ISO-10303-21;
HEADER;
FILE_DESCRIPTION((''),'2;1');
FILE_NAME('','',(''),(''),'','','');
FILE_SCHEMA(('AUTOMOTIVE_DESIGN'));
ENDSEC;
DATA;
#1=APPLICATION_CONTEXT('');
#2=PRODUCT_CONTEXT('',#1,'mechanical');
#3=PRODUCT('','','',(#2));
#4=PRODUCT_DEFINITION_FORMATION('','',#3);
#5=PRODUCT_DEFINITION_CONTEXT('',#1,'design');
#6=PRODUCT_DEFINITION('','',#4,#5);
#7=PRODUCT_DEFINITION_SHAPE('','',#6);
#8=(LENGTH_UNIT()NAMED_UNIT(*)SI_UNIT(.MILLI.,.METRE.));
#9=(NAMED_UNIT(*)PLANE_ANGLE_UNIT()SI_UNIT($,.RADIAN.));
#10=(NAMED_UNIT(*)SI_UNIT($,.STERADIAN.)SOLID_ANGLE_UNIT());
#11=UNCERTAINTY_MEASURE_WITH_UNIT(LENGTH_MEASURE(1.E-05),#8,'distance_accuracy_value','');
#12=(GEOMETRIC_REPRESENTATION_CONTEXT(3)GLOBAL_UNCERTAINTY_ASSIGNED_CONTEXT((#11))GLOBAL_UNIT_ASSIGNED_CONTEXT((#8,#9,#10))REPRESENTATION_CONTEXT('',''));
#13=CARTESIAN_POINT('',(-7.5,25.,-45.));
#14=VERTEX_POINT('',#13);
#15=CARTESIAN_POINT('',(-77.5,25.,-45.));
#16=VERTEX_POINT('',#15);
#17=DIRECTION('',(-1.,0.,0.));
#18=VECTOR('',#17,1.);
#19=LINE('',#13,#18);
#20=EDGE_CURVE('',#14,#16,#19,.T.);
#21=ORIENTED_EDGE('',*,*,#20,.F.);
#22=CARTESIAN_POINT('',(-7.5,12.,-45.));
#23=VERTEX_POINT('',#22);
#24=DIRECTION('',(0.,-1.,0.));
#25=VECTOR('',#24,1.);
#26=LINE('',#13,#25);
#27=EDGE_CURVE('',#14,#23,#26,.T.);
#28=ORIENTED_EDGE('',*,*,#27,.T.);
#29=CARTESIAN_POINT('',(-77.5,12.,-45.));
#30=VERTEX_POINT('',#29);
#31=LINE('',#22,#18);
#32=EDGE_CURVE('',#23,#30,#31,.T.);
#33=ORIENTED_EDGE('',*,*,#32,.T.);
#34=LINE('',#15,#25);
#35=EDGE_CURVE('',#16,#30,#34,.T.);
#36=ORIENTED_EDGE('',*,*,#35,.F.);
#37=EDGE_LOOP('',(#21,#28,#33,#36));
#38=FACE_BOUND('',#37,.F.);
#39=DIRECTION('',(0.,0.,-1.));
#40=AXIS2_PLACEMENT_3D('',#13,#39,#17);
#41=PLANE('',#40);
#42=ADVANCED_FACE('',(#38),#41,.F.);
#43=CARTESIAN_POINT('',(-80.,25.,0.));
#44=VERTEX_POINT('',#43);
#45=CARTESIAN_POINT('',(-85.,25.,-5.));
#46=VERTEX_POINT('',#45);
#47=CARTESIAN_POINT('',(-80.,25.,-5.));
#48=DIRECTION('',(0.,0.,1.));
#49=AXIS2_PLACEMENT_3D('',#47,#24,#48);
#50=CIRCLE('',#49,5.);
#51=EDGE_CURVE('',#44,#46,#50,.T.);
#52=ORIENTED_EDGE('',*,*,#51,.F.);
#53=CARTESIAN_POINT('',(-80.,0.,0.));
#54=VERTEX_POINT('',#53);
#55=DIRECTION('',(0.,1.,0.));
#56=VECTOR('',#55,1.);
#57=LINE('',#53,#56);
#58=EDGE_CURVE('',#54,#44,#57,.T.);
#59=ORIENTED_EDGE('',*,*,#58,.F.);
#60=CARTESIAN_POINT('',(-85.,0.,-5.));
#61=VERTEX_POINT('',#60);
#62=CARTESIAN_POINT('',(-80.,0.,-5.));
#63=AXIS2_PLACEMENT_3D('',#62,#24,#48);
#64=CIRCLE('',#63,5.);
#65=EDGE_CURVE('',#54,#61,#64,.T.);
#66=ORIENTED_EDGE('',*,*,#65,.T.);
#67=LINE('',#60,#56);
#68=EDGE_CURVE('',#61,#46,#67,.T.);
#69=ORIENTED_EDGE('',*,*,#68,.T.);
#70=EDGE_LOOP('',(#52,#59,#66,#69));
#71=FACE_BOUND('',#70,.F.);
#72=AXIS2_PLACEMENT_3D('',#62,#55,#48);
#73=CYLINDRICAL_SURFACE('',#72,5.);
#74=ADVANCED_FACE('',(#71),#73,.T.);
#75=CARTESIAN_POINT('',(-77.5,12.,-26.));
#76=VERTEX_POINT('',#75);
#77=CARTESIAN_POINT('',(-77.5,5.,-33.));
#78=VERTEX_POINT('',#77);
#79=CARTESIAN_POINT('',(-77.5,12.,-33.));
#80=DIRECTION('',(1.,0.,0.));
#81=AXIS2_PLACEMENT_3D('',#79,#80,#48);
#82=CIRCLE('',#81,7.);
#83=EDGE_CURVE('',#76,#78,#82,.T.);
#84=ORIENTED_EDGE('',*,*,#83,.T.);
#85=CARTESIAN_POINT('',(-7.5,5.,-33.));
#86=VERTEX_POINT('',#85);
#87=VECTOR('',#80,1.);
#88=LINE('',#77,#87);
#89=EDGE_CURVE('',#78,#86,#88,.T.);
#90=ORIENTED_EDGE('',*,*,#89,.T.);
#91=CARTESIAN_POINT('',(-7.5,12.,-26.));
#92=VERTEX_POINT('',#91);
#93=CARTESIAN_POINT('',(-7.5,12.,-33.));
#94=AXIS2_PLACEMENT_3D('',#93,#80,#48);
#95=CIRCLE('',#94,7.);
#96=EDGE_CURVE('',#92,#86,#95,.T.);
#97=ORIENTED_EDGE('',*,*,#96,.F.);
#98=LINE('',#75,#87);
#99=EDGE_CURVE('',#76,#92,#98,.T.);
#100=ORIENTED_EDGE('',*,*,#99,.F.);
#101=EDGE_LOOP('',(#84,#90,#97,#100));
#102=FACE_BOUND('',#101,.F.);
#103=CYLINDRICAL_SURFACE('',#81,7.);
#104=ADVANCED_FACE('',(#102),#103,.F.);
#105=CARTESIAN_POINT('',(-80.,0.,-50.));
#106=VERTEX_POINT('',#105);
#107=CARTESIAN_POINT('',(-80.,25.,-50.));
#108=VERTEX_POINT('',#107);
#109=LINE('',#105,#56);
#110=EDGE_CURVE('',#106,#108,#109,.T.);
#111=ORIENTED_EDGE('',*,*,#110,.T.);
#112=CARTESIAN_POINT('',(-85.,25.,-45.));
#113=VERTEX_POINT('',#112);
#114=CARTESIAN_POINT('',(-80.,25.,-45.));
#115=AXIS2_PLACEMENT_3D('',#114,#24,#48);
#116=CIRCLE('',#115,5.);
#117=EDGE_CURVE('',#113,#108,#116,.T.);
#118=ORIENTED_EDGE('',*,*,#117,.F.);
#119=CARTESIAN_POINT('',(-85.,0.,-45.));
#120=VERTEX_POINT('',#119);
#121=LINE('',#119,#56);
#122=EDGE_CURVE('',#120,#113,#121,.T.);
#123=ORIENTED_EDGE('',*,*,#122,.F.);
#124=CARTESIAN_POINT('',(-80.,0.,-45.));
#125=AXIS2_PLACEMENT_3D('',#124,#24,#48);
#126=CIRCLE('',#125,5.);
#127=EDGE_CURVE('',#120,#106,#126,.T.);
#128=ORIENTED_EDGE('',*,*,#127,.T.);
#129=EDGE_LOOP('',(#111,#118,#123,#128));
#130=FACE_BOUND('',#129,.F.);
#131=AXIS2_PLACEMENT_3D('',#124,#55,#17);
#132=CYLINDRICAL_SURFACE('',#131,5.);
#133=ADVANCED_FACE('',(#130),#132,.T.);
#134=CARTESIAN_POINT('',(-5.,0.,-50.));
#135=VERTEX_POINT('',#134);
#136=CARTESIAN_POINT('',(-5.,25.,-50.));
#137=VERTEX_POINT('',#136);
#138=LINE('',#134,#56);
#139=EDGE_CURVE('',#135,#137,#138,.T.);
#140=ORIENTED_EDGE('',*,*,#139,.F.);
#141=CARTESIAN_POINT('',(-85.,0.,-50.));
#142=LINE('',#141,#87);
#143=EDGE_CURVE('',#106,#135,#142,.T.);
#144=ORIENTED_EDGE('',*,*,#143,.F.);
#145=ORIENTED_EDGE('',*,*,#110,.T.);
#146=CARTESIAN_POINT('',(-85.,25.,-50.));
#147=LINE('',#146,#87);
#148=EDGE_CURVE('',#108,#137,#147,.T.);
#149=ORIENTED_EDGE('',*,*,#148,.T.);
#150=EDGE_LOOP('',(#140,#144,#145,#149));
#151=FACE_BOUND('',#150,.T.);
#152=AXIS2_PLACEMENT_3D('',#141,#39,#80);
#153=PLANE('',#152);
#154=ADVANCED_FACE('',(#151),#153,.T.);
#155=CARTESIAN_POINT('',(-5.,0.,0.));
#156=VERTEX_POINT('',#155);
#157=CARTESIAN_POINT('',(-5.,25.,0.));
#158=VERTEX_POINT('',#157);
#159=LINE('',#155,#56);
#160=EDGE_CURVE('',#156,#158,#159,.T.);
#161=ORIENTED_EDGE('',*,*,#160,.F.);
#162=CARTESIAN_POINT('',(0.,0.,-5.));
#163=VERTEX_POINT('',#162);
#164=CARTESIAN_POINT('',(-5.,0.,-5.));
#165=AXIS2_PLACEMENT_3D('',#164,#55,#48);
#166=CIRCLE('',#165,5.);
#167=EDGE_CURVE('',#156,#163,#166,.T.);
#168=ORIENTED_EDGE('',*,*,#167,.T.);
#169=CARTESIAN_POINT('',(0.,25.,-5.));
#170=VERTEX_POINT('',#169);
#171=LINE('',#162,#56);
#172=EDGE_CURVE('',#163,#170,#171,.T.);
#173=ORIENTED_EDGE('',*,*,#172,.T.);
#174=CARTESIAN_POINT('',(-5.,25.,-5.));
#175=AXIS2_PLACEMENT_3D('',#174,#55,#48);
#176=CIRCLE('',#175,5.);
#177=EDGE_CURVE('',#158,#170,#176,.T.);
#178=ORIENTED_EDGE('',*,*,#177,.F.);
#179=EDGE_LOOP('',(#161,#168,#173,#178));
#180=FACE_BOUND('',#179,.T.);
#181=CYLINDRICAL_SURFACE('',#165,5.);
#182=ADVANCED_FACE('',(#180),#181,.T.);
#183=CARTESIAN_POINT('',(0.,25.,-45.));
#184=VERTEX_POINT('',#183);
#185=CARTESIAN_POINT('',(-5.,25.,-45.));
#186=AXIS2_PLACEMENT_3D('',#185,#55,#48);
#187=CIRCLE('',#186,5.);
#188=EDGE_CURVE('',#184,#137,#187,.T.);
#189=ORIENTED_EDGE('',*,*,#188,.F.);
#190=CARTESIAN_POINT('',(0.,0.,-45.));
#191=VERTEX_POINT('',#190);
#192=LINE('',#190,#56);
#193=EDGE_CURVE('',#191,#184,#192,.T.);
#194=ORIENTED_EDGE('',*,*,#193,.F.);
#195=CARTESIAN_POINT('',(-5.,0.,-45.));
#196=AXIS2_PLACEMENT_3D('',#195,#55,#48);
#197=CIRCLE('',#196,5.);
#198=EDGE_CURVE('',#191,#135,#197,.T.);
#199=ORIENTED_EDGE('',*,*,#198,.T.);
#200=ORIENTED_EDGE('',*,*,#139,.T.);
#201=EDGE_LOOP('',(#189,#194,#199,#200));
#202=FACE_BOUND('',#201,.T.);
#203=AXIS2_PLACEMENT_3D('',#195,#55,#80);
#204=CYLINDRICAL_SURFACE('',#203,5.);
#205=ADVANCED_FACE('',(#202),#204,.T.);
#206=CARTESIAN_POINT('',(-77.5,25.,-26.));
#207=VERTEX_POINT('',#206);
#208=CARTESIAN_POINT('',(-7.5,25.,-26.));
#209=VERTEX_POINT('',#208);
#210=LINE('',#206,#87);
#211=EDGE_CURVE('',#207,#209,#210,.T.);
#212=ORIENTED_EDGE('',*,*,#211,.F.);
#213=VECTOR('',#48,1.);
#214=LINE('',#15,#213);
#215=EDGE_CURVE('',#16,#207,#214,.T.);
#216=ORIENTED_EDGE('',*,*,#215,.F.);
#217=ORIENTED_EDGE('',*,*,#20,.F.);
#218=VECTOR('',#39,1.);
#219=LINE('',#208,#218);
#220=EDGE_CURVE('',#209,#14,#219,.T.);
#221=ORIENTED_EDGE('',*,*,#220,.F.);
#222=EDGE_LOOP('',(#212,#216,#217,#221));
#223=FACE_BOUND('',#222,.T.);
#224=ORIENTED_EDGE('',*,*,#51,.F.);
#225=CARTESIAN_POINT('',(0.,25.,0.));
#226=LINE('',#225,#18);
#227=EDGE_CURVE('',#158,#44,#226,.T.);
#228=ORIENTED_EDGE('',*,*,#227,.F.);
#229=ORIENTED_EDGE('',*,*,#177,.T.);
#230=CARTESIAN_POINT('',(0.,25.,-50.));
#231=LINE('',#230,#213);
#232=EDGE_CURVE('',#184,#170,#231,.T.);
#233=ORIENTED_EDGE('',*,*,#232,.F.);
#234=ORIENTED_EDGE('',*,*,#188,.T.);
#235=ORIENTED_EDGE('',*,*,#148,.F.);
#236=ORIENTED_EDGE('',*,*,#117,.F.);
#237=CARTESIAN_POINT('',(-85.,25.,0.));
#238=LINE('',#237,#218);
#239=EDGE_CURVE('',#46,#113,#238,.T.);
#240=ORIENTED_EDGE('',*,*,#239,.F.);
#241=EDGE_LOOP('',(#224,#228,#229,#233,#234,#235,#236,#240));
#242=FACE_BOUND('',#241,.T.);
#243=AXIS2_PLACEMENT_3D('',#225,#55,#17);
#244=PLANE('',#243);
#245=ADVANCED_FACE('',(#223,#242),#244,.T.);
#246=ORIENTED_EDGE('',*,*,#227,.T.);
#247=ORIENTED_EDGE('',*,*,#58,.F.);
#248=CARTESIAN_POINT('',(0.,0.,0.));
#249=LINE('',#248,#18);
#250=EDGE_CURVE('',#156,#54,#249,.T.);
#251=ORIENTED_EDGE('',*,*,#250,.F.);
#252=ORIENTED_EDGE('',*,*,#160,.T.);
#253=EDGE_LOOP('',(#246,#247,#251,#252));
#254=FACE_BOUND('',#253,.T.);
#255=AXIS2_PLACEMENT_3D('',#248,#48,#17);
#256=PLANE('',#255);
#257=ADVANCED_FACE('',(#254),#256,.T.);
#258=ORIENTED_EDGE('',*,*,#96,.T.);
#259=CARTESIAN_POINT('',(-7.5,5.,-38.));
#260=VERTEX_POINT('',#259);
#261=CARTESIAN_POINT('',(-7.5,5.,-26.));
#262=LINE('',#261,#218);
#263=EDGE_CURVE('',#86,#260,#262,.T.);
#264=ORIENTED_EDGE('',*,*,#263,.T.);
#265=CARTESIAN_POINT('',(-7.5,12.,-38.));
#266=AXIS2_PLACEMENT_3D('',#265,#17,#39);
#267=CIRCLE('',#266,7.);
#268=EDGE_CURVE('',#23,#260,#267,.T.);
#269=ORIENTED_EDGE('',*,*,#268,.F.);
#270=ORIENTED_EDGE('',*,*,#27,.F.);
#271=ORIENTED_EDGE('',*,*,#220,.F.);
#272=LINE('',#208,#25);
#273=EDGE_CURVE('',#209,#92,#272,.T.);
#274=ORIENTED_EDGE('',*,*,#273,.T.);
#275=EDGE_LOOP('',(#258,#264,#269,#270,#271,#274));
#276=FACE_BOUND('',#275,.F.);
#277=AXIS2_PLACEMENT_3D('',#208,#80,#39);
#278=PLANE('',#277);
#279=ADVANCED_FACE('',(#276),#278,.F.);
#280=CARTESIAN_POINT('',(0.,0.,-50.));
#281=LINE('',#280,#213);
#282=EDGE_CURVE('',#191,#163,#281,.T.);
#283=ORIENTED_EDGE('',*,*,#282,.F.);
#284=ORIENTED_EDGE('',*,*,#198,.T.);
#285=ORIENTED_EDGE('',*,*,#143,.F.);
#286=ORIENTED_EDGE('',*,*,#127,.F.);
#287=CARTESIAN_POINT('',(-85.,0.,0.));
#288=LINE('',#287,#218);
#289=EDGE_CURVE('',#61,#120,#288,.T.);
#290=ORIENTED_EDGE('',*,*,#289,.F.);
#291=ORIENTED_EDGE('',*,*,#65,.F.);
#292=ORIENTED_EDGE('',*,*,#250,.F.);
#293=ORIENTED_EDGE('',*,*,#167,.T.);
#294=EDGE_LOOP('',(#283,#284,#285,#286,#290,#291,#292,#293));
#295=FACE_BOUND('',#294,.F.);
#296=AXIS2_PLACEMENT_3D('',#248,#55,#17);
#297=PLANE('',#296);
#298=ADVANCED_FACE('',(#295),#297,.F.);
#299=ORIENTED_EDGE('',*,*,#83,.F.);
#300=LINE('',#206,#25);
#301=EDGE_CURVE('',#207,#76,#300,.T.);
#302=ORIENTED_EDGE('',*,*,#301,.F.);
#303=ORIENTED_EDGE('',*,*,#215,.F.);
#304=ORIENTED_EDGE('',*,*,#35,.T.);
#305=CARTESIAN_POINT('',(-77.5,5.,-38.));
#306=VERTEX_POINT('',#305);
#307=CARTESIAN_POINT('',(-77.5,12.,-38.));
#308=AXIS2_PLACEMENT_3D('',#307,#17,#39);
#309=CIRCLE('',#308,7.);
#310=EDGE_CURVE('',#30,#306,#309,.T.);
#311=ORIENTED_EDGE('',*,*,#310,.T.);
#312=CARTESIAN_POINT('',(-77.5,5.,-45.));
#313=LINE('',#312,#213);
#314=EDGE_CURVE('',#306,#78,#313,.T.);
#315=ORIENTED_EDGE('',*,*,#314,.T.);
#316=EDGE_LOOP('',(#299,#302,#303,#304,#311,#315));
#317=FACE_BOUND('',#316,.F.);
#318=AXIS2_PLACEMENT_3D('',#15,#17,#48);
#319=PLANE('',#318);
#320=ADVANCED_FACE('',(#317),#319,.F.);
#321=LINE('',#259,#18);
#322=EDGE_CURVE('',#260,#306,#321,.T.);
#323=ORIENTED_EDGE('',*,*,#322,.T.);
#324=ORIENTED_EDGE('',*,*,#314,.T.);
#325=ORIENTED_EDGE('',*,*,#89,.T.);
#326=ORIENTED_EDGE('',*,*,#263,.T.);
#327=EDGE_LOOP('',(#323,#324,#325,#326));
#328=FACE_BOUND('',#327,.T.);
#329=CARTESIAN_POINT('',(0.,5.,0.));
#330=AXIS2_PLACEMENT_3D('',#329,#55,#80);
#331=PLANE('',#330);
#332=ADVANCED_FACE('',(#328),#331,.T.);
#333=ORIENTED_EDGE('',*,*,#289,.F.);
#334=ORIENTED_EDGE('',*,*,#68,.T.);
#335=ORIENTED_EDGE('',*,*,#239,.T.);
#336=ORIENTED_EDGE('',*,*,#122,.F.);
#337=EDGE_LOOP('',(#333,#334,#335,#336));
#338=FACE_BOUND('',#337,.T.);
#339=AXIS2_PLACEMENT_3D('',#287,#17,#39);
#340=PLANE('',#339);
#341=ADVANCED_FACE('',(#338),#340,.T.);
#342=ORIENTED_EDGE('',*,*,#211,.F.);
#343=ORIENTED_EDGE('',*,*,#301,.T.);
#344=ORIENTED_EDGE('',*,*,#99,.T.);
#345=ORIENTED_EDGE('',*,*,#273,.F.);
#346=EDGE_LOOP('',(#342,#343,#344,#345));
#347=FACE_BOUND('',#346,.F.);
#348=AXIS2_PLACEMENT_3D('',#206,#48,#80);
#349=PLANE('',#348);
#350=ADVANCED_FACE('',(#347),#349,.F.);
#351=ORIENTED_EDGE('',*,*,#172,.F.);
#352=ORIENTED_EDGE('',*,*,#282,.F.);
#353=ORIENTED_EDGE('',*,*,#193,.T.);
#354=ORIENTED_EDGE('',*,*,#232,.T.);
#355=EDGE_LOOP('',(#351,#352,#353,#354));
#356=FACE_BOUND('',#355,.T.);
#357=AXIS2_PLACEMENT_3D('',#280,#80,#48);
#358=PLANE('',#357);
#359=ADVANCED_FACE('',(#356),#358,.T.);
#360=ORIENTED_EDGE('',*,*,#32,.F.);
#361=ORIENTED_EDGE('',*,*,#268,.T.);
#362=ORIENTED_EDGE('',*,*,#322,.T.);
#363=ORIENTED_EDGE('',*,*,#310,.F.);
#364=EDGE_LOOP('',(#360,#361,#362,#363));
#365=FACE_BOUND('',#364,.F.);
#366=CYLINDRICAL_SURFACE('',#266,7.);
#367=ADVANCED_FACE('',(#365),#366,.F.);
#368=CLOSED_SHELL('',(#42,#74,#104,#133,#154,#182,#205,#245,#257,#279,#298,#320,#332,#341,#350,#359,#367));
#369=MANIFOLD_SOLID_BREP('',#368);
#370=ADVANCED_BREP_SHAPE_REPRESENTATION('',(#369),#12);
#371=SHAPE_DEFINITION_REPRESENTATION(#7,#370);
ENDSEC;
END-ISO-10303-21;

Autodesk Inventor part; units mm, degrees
ref_plane "YZ Plane" through (0, 0, 0) normal (1, 0, 0) x (0, 1, 0)
ref_plane "XZ Plane" through (0, 0, 0) normal (0, 1, 0) x (-1, 0, 0)
ref_plane "XY Plane" through (0, 0, 0) normal (0, 0, 1) x (1, 0, 0)
sketch "Sketch1" plane through (0, 0, 0) normal (0, 1, 0) x (-1, 0, 0)
  line L0 (0, 0) -> (85, 0)
  line L1 (85, 0) -> (85, -50)
  line L2 (85, -50) -> (0, -50)
  line L3 (0, -50) -> (0, 0)
  dimension "d0" = 85
  dimension "d1" = 50
extrude "Extrusion1" add sketch "Sketch1" along normal blind 25
sketch "Sketch2" plane through (0, 25, 0) normal (0, 1, 0) x (1, 0, 0)
  line L0 (-77.5, 26) -> (-7.5, 26)
  line L1 (-7.5, 26) -> (-7.5, 45)
  line L2 (-7.5, 45) -> (-77.5, 45)
  line L3 (-77.5, 45) -> (-77.5, 26)
  line L4 (-85, 50) -> (-85, 0) projected
  line L5 (0, 50) -> (-85, 50) projected
  point P0 (0, 0)
  dimension "d4" = 70
  dimension "d5" = 7.5
  dimension "d6" = 5
  dimension "d7" = 19
extrude "Extrusion2" cut sketch "Sketch2" against normal blind 20
fillet "Fillet1" radius 5 4 edges at (-85, 12.5, 0) (-85, 12.5, -50) (0, 12.5, -50) (0, 12.5, 0)
fillet "Fillet2" radius 7 2 edges at (-42.5, 5, -26) (-42.5, 5, -45)
properties part number "Web_server_holder"
